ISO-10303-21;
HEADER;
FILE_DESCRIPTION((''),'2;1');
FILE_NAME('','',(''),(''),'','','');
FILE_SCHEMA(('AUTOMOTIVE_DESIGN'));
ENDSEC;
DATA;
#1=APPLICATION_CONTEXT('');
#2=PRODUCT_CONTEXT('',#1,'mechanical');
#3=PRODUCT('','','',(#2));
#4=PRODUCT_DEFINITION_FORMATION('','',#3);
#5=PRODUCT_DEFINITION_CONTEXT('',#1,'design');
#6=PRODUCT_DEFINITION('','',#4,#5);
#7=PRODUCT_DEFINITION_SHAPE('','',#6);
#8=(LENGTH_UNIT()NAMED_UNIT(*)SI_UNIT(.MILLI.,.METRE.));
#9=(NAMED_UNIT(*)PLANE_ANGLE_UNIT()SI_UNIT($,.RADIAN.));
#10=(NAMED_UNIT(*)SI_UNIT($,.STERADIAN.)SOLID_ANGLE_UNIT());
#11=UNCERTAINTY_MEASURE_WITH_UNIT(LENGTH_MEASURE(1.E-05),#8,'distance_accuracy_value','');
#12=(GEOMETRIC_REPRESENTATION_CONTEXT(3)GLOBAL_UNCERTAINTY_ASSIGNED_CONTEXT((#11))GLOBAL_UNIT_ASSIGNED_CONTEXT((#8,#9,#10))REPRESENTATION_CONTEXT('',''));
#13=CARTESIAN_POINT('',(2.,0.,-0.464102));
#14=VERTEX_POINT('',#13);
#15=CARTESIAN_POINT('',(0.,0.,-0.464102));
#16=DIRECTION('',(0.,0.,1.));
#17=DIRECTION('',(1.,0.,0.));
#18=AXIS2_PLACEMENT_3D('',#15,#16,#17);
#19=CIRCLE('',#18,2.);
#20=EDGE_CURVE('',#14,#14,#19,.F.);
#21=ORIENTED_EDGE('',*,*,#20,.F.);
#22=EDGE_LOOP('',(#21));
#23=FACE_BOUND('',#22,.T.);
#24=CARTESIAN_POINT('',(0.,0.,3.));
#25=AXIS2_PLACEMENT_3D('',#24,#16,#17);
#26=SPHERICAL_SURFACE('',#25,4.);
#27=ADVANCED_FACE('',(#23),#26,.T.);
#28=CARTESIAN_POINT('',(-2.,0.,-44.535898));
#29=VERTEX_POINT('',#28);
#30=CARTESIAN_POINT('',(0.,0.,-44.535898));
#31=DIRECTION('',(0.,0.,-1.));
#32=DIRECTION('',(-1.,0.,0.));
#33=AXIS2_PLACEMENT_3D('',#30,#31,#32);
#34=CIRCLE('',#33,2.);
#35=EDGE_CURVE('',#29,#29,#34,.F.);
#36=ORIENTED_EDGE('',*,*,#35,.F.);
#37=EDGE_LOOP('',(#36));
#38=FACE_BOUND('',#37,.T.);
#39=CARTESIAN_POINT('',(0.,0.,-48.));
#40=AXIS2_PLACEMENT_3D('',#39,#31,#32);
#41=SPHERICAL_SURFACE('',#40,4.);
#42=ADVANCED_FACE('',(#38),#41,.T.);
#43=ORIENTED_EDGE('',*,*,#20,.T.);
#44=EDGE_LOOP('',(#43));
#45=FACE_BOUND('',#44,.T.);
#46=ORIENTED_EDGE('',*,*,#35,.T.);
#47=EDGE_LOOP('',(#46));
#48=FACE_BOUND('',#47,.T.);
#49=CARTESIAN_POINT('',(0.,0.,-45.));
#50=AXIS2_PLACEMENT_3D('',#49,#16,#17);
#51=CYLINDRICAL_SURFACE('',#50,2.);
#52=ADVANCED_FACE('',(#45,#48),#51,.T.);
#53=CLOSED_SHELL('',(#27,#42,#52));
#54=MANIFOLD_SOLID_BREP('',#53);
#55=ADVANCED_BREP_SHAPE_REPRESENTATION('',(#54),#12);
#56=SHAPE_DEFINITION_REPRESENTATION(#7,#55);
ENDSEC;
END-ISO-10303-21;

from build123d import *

# Parameters (mm, degrees)
SKETCH1_R           = 2
BOSS_EXTRUDE1_DEPTH = 45


with BuildPart() as part:
    # Sketch1 → Boss-Extrude1 (new body)
    with BuildSketch(Plane.XY):
        Circle(SKETCH1_R)
    extrude(amount=-BOSS_EXTRUDE1_DEPTH)

    # Sketch2 → Revolve1 (revolve)
    with BuildSketch(Plane.XY.offset(3)):
        with BuildLine():
            Line((0, 4), (0, -4))
            ThreePointArc((0, -4), (4, 0), (0, 4))
        make_face()
    revolve1 = revolve(axis=Axis((0, 4, 3), (0, -1, 0)))

    # Mirror2: Revolve1 across plane
    add(revolve1.mirror(Plane.XY.offset(-22.5)))


solid = part.part
